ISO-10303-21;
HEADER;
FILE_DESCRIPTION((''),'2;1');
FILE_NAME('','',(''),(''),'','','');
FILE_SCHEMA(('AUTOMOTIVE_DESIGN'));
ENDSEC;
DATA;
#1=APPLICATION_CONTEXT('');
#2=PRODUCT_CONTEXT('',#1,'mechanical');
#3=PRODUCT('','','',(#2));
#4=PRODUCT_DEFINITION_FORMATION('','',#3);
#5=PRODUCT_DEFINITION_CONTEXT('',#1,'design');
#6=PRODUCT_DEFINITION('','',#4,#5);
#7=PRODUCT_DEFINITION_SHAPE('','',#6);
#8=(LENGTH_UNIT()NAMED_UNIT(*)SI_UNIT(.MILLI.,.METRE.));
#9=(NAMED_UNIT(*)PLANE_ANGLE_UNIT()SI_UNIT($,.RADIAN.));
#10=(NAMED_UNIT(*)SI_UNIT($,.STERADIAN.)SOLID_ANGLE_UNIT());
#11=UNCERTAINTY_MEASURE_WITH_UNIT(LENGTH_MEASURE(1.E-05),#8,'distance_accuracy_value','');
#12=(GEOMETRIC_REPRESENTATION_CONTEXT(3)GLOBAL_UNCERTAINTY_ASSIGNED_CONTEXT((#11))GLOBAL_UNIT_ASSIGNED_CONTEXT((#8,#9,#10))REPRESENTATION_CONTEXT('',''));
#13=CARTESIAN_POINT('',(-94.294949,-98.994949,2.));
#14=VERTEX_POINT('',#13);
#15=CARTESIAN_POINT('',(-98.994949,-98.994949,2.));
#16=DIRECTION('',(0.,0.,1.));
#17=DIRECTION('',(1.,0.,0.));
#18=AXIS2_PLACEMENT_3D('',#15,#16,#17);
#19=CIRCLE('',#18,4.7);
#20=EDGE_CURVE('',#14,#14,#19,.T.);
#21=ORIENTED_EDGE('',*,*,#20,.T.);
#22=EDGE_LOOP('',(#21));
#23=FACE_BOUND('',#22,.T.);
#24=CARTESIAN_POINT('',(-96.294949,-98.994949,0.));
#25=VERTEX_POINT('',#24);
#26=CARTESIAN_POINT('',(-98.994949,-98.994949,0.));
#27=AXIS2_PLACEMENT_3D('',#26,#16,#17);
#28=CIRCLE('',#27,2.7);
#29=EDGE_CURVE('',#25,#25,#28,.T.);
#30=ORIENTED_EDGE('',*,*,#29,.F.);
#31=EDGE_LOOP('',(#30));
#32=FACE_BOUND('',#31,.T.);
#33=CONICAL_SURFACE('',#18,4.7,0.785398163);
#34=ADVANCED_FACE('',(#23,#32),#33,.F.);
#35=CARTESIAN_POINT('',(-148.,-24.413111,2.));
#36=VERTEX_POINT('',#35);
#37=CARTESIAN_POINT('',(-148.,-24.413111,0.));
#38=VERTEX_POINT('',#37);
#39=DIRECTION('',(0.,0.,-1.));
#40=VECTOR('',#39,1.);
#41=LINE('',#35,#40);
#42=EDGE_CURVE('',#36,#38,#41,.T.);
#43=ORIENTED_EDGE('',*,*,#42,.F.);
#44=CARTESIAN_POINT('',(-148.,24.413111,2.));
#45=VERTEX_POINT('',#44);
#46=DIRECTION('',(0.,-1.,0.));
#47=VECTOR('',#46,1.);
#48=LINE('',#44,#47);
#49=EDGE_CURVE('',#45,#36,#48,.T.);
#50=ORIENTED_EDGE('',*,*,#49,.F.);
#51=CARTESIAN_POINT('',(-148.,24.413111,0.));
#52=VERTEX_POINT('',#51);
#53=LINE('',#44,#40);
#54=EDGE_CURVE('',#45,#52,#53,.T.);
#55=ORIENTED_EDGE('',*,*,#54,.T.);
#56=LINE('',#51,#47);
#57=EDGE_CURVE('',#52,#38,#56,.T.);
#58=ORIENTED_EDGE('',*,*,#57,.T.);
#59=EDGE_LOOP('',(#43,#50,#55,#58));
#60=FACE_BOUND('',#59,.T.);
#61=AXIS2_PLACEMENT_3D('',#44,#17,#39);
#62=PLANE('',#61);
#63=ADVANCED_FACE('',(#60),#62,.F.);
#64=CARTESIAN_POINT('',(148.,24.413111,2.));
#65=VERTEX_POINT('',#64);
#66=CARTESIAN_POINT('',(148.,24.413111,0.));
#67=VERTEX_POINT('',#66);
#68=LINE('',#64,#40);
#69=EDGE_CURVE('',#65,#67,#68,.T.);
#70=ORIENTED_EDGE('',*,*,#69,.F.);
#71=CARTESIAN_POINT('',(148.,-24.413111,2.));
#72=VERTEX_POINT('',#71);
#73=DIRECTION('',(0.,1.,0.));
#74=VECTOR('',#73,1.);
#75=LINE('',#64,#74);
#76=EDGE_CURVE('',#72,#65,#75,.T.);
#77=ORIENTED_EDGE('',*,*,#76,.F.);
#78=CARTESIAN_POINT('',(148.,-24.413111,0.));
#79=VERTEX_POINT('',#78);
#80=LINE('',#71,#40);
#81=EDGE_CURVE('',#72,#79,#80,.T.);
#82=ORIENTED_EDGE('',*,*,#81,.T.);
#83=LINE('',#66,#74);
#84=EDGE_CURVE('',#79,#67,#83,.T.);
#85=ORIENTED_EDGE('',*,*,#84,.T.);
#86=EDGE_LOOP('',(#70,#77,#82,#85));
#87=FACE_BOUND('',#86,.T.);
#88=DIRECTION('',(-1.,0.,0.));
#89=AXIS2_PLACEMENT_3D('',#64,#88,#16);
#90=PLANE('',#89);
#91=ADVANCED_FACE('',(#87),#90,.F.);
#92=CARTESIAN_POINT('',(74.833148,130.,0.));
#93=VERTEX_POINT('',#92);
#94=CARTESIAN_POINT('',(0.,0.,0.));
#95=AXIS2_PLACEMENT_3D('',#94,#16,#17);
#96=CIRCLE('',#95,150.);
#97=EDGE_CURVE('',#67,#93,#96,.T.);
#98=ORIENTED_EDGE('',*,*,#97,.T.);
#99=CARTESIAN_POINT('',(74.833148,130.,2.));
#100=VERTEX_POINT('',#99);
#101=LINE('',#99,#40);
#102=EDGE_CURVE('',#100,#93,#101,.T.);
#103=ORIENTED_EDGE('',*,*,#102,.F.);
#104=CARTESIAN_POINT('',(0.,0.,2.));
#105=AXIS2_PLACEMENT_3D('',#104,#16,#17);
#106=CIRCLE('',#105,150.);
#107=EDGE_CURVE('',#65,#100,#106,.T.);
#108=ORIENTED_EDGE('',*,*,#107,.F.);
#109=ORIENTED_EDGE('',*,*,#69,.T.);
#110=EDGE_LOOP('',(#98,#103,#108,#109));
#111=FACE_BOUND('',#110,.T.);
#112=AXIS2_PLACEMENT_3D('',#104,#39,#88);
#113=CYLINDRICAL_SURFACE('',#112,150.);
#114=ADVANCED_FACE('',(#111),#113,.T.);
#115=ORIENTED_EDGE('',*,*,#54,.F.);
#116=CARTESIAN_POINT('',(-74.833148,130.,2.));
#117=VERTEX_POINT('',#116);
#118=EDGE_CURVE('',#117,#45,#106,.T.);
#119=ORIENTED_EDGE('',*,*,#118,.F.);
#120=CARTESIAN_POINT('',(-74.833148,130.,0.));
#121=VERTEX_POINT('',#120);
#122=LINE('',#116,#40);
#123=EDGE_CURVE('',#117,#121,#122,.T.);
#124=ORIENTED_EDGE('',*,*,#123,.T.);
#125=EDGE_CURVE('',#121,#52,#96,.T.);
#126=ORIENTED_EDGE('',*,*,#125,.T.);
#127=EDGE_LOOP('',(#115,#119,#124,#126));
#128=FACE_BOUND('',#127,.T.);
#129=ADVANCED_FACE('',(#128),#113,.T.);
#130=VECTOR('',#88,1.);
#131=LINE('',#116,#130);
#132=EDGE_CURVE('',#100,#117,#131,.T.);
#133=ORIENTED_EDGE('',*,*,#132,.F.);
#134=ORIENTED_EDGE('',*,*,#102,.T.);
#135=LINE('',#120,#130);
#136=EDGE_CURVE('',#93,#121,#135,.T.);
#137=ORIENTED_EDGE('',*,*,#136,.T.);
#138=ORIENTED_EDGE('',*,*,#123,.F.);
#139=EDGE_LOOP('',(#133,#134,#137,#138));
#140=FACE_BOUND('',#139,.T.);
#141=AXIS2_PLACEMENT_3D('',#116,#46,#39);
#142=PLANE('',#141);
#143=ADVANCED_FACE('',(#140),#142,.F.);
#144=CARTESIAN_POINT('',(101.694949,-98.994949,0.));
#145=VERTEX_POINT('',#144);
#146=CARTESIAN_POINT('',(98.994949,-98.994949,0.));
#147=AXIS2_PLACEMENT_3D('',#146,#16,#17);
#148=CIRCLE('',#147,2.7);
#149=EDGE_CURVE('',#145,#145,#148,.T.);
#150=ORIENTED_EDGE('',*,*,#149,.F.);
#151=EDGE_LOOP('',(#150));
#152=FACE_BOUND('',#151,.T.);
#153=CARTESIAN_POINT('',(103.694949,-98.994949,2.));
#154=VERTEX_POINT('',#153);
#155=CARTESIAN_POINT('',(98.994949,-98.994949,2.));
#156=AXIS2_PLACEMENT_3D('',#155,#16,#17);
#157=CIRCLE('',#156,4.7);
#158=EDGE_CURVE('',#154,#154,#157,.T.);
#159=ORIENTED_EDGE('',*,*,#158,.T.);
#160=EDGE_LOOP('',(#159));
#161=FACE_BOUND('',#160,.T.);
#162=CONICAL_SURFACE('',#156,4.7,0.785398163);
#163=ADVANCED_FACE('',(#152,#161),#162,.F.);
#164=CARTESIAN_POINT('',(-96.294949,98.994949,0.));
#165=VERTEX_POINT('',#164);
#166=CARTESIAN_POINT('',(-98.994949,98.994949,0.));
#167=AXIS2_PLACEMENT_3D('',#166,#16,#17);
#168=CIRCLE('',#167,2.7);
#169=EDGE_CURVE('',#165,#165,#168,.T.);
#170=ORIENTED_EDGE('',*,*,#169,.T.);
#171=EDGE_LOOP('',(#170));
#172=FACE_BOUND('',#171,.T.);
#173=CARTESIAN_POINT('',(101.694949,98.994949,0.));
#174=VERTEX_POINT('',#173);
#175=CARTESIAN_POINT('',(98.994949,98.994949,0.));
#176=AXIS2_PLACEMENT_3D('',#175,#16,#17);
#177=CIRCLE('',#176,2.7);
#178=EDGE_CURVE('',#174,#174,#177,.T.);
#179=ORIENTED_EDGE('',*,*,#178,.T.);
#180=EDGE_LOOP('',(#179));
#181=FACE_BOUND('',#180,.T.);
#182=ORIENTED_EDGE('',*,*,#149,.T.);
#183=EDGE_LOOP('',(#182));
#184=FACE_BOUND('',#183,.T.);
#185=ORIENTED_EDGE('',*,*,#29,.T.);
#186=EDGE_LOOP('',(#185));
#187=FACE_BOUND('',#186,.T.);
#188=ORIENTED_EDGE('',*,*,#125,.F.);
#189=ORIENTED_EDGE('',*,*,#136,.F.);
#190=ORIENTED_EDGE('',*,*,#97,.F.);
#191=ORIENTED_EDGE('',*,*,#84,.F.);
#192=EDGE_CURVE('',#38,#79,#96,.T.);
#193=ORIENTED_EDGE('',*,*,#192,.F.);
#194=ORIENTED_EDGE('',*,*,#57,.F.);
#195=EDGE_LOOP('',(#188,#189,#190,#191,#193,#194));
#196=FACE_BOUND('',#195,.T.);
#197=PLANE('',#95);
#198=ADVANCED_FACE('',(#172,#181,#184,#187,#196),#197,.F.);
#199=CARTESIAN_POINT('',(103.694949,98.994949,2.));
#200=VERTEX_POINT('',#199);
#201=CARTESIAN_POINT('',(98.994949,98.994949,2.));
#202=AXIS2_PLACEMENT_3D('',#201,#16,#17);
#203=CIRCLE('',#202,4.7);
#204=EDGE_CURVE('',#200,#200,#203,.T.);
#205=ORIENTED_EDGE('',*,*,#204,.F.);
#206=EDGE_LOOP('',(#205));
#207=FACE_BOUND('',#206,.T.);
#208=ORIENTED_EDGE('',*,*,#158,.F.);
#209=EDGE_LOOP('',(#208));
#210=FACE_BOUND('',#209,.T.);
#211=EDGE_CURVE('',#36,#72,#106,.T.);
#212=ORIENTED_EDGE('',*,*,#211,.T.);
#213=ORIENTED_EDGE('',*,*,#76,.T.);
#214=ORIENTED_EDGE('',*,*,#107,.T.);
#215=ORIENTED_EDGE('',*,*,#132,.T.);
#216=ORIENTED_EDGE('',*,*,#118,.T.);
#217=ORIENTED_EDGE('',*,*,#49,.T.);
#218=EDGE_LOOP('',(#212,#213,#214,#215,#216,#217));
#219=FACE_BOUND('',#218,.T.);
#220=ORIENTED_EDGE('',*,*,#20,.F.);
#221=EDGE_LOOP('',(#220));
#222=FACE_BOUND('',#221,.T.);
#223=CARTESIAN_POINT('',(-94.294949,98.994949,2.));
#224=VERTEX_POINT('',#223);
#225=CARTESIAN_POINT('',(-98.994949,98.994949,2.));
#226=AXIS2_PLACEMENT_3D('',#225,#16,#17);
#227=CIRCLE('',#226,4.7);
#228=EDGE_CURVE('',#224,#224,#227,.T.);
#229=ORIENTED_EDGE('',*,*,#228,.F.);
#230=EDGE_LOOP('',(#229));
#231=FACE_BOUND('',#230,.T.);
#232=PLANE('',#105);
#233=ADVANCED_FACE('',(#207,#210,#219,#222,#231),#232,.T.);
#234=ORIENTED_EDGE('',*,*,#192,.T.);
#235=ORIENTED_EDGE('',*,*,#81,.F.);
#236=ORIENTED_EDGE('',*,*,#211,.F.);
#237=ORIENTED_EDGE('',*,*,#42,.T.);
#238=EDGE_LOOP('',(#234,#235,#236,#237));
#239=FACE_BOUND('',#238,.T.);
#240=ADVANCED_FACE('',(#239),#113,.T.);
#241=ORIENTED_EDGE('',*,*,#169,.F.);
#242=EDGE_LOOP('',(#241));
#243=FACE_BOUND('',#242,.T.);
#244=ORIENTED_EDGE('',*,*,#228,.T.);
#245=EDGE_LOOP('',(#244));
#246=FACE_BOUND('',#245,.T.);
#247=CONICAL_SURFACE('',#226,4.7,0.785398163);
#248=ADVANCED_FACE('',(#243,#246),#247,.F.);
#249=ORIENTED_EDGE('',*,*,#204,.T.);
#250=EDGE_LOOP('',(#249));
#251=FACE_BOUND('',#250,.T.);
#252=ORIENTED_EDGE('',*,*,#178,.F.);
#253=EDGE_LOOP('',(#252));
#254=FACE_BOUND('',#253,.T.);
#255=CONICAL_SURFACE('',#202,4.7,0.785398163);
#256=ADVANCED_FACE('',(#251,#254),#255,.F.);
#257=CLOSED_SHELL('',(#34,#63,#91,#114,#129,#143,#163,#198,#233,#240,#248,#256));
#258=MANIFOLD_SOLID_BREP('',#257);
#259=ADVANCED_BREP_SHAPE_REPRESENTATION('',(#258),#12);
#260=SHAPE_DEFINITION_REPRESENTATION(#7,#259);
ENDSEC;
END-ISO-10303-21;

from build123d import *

# Parameters (mm, degrees)
ESQUISSE1_R                                 = 1.6
BOSS_EXTRU_1_DEPTH                          = 2
FRAISAGE_POUR_VIS_T_TE_FRAIS_E_M42_AT_COUNT = 2
FRAISAGE_POUR_VIS_T_TE_FRAIS_E_M42_AT_PITCH = 197.989898732
FRAISAGE_POUR_VIS_T_TE_FRAIS_E_M42_2_COUNT  = 2
FRAISAGE_POUR_VIS_T_TE_FRAIS_E_M42_2_PITCH  = 197.989898732
FRAISAGE_POUR_VIS_T_TE_FRAIS_E_M42_3_COUNT  = 2
FRAISAGE_POUR_VIS_T_TE_FRAIS_E_M42_3_PITCH  = 280


with BuildPart() as part:
    # Esquisse1 → Boss.-Extru.1 (new body)
    with BuildSketch(Plane.XY):
        with BuildLine():
            Line((-74.833147735, 130), (74.833147735, 130))
            ThreePointArc((74.833147735, 130), (123.291527294, 85.435351568), (148, 24.413111231))
            Line((148, 24.413111231), (148, -24.413111231))
            ThreePointArc((148, -24.413111231), (0, -150), (-148, -24.413111231))
            Line((-148, -24.413111231), (-148, 24.413111231))
            ThreePointArc((-148, 24.413111231), (-123.291527294, 85.435351568), (-74.833147735, 130))
        make_face()
        with Locations((-98.994949366, 98.994949366)):
            Circle(ESQUISSE1_R, mode=Mode.SUBTRACT)
        with Locations((-98.994949366, -98.994949366)):
            Circle(ESQUISSE1_R, mode=Mode.SUBTRACT)
        with Locations((98.994949366, -98.994949366)):
            Circle(ESQUISSE1_R, mode=Mode.SUBTRACT)
        with Locations((98.994949366, 98.994949366)):
            Circle(ESQUISSE1_R, mode=Mode.SUBTRACT)
    extrude(amount=BOSS_EXTRU_1_DEPTH)

    # Esquisse4 → Fraisage pour vis à tête fraisée M42 (revolve, cut)
    with BuildSketch(Plane(origin=(98.994949366, 98.994949366, 2), x_dir=(0, -1, 0), z_dir=(1, 0, 0))):
        Polygon((0, 0), (0, 2), (2.25, 2), (2.25, 2.45), (4.7, 0), align=None)
    fraisage_pour_vis_t_te_frais_e_m42 = revolve(axis=Axis((98.994949366, 98.994949366, 8.35), (0, 0, -1)), mode=Mode.SUBTRACT)

    # Fraisage pour vis à tête fraisée M42 at: Fraisage pour vis à tête fraisée M42 ×2
    with Locations(*[(-i * FRAISAGE_POUR_VIS_T_TE_FRAIS_E_M42_AT_PITCH, 0, 0) for i in range(1, FRAISAGE_POUR_VIS_T_TE_FRAIS_E_M42_AT_COUNT)]):
        add(fraisage_pour_vis_t_te_frais_e_m42, mode=Mode.SUBTRACT)

    # Fraisage pour vis _ t_te frais_e M42 2: Fraisage pour vis à tête fraisée M42 ×2
    with Locations(*[(0, -i * FRAISAGE_POUR_VIS_T_TE_FRAIS_E_M42_2_PITCH, 0) for i in range(1, FRAISAGE_POUR_VIS_T_TE_FRAIS_E_M42_2_COUNT)]):
        add(fraisage_pour_vis_t_te_frais_e_m42, mode=Mode.SUBTRACT)

    # Fraisage pour vis _ t_te frais_e M42 3: Fraisage pour vis à tête fraisée M42 ×2
    with Locations(*[Vector(-0.707106781186546, -0.707106781186549, 0) * (i * FRAISAGE_POUR_VIS_T_TE_FRAIS_E_M42_3_PITCH) for i in range(1, FRAISAGE_POUR_VIS_T_TE_FRAIS_E_M42_3_COUNT)]):
        add(fraisage_pour_vis_t_te_frais_e_m42, mode=Mode.SUBTRACT)


solid = part.part
